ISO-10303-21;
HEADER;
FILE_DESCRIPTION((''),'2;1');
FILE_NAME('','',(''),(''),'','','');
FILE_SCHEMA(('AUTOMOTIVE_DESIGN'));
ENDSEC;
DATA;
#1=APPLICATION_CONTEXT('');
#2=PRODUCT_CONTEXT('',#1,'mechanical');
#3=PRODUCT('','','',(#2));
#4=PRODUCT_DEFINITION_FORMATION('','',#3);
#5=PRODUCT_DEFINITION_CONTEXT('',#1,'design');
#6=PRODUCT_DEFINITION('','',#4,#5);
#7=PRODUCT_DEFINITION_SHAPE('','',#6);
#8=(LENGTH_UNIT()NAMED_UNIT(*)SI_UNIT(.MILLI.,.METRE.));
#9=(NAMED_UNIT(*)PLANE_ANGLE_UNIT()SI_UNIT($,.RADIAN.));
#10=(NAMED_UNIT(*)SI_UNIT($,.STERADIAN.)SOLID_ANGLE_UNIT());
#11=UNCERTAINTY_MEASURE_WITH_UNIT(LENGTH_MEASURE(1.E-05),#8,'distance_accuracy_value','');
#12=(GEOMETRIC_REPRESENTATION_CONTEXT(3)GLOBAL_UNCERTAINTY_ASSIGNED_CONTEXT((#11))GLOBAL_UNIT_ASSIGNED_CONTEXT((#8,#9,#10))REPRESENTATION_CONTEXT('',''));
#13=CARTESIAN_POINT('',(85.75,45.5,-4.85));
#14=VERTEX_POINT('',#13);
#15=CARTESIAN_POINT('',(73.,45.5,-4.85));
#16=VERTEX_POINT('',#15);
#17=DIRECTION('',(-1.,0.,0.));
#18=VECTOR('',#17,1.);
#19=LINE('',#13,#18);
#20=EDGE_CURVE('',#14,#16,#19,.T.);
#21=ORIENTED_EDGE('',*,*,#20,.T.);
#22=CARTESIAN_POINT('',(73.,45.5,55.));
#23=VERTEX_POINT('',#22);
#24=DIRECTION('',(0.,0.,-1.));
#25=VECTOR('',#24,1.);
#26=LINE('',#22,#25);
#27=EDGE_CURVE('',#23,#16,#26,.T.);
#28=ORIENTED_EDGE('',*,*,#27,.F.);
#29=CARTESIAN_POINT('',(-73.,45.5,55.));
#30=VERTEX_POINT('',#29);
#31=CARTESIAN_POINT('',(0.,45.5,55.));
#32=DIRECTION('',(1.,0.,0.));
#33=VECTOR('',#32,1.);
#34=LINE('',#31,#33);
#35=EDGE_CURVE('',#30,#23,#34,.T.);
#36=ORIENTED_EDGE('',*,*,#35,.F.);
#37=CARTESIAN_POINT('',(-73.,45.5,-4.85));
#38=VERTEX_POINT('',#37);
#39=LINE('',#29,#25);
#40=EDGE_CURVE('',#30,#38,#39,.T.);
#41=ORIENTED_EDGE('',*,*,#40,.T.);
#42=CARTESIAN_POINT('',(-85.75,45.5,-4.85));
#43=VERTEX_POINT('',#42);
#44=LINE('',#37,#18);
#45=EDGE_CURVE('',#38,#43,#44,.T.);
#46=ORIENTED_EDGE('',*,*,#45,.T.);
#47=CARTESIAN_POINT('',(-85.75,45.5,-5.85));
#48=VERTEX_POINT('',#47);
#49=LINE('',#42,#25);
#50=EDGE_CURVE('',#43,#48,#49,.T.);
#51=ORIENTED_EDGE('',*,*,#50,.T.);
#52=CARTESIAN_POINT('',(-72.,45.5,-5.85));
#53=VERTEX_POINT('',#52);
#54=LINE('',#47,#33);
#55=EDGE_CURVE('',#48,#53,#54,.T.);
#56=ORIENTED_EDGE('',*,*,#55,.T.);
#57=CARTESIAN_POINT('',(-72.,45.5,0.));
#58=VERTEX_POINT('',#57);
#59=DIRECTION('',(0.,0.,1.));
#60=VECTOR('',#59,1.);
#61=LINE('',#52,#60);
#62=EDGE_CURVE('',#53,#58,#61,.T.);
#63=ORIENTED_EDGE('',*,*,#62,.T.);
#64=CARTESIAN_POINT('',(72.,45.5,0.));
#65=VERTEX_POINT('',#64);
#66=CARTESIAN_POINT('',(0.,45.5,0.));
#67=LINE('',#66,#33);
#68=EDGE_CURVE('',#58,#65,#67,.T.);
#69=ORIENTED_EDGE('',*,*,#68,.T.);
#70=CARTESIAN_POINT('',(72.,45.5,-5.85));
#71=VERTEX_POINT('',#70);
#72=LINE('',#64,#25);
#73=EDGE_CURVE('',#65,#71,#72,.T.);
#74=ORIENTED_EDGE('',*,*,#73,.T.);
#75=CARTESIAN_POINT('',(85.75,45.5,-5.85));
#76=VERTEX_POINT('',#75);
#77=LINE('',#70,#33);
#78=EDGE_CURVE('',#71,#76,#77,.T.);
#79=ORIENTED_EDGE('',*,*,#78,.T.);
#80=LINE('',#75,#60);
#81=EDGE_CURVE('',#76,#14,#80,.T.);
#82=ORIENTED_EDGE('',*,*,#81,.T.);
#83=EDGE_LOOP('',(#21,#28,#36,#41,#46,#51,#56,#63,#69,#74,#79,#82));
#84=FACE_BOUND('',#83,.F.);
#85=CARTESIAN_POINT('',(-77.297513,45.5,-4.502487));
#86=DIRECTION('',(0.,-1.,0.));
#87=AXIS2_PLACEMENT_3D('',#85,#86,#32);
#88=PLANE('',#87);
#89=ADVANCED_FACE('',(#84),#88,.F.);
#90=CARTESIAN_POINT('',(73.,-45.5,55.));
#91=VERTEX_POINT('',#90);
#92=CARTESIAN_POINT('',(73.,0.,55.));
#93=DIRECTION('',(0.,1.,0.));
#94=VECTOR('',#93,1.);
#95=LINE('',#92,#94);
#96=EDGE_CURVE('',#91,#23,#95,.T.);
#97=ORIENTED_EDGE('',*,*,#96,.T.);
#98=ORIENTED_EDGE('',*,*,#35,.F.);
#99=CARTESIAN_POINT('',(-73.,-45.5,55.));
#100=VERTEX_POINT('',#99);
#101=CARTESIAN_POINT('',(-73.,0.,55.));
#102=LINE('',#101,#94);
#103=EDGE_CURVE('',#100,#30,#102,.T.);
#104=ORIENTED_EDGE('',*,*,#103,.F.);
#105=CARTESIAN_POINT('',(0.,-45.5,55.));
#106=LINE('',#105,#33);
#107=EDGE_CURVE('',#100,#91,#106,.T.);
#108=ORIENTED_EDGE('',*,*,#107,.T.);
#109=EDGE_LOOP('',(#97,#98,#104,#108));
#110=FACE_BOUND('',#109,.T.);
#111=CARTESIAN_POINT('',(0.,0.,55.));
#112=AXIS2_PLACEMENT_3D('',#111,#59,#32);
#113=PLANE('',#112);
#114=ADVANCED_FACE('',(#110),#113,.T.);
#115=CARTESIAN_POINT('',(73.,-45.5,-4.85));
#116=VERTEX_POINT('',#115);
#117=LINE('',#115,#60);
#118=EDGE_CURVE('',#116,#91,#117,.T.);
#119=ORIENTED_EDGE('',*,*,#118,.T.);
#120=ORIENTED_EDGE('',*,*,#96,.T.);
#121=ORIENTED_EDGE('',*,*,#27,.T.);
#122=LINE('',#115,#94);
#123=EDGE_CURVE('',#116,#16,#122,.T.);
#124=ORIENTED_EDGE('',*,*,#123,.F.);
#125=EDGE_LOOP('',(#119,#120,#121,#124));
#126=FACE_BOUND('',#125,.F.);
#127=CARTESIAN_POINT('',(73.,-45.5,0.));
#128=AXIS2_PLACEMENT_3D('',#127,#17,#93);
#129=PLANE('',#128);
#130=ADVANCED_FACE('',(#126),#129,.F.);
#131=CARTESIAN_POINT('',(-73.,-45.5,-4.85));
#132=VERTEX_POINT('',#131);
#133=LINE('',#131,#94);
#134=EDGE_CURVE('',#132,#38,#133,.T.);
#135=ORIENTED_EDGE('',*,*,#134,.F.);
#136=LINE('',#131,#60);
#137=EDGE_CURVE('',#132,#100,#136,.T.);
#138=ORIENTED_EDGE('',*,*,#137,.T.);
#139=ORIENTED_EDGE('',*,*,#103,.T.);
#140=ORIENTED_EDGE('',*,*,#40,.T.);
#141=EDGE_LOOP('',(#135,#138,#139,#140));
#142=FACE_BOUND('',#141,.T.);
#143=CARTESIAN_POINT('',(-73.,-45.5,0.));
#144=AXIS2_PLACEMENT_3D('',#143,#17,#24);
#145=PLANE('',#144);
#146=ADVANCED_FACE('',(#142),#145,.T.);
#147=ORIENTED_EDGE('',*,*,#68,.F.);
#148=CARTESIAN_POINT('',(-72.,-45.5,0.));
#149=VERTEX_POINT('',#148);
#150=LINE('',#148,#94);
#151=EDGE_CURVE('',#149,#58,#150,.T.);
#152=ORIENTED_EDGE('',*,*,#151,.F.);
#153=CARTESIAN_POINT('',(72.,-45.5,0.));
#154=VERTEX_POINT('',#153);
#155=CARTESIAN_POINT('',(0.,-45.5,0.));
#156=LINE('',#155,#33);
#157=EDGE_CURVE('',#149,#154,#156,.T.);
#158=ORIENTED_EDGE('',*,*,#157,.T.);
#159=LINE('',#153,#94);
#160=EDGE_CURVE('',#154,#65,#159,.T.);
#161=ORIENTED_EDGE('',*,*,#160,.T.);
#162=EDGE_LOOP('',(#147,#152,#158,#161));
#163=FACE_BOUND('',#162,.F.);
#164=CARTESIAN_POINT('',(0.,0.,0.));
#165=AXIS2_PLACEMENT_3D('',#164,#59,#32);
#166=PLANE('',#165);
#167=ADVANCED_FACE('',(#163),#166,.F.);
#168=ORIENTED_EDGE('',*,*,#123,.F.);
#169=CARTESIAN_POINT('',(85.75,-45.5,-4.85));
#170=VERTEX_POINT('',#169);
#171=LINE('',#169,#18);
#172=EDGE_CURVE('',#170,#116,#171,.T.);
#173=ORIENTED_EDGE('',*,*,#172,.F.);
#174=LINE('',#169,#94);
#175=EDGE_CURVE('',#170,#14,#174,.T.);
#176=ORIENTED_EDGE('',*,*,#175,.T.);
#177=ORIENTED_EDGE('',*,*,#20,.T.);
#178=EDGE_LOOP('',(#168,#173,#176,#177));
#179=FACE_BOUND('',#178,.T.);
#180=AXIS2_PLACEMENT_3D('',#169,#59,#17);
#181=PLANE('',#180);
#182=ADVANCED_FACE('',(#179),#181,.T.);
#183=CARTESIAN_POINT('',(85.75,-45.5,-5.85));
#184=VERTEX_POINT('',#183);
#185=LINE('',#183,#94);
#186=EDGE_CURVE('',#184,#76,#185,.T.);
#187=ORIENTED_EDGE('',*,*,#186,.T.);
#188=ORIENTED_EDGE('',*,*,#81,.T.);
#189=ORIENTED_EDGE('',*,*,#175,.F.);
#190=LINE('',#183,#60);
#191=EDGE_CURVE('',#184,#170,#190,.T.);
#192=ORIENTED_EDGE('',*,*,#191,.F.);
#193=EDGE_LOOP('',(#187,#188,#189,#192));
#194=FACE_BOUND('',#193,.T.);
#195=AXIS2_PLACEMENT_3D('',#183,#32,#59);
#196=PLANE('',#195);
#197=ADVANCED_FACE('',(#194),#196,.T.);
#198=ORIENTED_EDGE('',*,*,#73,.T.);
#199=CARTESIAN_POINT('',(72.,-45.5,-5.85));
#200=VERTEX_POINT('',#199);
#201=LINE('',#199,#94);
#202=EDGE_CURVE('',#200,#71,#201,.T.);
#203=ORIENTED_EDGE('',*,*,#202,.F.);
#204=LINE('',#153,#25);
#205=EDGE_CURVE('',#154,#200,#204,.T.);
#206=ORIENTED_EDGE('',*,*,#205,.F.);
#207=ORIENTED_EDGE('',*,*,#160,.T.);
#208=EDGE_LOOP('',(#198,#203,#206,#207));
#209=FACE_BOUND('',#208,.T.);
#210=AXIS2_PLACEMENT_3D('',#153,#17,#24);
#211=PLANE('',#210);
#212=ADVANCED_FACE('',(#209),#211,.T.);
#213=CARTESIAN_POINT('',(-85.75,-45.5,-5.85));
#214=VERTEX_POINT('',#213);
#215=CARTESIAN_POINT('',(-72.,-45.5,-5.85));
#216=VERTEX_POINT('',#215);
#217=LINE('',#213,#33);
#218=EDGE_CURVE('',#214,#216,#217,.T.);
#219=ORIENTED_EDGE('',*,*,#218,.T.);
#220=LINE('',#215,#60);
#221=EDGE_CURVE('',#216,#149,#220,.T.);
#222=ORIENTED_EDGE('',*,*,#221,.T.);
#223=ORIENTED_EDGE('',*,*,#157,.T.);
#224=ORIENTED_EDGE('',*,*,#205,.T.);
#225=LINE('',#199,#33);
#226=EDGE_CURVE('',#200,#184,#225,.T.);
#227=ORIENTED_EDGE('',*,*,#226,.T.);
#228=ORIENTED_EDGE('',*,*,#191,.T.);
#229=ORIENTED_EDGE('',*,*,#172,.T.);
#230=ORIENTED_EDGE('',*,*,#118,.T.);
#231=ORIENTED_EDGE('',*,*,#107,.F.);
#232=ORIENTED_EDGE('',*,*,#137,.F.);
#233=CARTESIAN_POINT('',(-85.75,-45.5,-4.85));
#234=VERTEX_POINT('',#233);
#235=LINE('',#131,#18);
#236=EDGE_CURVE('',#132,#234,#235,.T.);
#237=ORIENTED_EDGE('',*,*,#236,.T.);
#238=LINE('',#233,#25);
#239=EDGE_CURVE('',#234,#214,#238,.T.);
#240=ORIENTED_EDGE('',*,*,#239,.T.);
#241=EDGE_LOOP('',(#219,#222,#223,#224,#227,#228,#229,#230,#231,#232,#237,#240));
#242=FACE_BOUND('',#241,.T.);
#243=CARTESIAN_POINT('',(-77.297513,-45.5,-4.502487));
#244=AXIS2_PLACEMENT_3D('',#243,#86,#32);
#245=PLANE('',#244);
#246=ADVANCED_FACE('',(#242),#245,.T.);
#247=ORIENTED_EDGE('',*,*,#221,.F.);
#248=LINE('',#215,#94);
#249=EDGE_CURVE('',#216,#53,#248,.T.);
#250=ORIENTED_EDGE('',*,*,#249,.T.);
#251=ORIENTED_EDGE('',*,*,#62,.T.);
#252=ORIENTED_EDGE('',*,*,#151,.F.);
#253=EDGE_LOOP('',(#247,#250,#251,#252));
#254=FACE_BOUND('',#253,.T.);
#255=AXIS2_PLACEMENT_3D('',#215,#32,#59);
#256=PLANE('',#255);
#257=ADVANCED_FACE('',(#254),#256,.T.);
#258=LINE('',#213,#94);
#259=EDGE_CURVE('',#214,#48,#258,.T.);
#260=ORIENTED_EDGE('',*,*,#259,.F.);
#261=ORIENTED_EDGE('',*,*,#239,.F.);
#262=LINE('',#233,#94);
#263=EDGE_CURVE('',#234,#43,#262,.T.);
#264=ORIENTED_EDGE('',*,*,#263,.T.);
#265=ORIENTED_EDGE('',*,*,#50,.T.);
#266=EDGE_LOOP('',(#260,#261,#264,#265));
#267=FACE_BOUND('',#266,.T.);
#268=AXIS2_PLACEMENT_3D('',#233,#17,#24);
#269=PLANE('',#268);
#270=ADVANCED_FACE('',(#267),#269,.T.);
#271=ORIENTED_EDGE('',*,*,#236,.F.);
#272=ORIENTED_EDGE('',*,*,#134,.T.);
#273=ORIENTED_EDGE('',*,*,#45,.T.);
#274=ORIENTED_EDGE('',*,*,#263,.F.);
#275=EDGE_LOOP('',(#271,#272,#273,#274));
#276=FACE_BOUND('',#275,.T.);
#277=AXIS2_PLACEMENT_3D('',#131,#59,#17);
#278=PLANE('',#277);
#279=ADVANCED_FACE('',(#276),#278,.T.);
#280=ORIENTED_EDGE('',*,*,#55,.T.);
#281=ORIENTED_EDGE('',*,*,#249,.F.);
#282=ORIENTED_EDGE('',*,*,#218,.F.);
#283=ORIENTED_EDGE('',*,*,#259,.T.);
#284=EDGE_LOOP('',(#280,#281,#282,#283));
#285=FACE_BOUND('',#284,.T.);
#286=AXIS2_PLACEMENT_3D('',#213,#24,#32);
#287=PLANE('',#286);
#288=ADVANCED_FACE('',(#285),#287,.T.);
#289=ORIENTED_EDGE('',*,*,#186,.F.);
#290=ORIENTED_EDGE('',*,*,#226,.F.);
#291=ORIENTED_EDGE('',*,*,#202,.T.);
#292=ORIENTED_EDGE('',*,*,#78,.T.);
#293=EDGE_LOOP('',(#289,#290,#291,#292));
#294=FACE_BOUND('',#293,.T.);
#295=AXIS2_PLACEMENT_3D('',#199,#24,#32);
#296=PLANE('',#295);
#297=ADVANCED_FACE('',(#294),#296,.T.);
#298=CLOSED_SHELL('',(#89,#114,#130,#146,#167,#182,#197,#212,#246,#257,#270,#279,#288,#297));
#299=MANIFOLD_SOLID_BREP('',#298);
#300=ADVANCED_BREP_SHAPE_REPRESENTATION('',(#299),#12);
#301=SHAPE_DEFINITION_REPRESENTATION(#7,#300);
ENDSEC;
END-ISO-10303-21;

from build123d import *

# Parameters (mm, degrees)
F0_W     = 146
F0_H     = 91
F1_DEPTH = 55
F3_DEPTH = 91


with BuildPart() as f1:
    # F0 (on Top) → F1 (new body)
    with BuildSketch(Plane.XY):
        Rectangle(F0_W, F0_H)
    extrude(amount=F1_DEPTH)

    # F2 (on face) → F3 (join, through all)
    with BuildSketch(Plane.XZ.offset(45.5)):
        Polygon((-72, 0), (-73, 0), (-73, -4.85), (-85.75, -4.85), (-85.75, -5.85), (-73, -5.85), (-72, -5.85), align=None)
        Polygon((73, -4.85), (73, 0), (72, 0), (72, -5.85), (73, -5.85), (85.75, -5.85), (85.75, -4.85), align=None)
    extrude(amount=-F3_DEPTH)


solid = f1.part
